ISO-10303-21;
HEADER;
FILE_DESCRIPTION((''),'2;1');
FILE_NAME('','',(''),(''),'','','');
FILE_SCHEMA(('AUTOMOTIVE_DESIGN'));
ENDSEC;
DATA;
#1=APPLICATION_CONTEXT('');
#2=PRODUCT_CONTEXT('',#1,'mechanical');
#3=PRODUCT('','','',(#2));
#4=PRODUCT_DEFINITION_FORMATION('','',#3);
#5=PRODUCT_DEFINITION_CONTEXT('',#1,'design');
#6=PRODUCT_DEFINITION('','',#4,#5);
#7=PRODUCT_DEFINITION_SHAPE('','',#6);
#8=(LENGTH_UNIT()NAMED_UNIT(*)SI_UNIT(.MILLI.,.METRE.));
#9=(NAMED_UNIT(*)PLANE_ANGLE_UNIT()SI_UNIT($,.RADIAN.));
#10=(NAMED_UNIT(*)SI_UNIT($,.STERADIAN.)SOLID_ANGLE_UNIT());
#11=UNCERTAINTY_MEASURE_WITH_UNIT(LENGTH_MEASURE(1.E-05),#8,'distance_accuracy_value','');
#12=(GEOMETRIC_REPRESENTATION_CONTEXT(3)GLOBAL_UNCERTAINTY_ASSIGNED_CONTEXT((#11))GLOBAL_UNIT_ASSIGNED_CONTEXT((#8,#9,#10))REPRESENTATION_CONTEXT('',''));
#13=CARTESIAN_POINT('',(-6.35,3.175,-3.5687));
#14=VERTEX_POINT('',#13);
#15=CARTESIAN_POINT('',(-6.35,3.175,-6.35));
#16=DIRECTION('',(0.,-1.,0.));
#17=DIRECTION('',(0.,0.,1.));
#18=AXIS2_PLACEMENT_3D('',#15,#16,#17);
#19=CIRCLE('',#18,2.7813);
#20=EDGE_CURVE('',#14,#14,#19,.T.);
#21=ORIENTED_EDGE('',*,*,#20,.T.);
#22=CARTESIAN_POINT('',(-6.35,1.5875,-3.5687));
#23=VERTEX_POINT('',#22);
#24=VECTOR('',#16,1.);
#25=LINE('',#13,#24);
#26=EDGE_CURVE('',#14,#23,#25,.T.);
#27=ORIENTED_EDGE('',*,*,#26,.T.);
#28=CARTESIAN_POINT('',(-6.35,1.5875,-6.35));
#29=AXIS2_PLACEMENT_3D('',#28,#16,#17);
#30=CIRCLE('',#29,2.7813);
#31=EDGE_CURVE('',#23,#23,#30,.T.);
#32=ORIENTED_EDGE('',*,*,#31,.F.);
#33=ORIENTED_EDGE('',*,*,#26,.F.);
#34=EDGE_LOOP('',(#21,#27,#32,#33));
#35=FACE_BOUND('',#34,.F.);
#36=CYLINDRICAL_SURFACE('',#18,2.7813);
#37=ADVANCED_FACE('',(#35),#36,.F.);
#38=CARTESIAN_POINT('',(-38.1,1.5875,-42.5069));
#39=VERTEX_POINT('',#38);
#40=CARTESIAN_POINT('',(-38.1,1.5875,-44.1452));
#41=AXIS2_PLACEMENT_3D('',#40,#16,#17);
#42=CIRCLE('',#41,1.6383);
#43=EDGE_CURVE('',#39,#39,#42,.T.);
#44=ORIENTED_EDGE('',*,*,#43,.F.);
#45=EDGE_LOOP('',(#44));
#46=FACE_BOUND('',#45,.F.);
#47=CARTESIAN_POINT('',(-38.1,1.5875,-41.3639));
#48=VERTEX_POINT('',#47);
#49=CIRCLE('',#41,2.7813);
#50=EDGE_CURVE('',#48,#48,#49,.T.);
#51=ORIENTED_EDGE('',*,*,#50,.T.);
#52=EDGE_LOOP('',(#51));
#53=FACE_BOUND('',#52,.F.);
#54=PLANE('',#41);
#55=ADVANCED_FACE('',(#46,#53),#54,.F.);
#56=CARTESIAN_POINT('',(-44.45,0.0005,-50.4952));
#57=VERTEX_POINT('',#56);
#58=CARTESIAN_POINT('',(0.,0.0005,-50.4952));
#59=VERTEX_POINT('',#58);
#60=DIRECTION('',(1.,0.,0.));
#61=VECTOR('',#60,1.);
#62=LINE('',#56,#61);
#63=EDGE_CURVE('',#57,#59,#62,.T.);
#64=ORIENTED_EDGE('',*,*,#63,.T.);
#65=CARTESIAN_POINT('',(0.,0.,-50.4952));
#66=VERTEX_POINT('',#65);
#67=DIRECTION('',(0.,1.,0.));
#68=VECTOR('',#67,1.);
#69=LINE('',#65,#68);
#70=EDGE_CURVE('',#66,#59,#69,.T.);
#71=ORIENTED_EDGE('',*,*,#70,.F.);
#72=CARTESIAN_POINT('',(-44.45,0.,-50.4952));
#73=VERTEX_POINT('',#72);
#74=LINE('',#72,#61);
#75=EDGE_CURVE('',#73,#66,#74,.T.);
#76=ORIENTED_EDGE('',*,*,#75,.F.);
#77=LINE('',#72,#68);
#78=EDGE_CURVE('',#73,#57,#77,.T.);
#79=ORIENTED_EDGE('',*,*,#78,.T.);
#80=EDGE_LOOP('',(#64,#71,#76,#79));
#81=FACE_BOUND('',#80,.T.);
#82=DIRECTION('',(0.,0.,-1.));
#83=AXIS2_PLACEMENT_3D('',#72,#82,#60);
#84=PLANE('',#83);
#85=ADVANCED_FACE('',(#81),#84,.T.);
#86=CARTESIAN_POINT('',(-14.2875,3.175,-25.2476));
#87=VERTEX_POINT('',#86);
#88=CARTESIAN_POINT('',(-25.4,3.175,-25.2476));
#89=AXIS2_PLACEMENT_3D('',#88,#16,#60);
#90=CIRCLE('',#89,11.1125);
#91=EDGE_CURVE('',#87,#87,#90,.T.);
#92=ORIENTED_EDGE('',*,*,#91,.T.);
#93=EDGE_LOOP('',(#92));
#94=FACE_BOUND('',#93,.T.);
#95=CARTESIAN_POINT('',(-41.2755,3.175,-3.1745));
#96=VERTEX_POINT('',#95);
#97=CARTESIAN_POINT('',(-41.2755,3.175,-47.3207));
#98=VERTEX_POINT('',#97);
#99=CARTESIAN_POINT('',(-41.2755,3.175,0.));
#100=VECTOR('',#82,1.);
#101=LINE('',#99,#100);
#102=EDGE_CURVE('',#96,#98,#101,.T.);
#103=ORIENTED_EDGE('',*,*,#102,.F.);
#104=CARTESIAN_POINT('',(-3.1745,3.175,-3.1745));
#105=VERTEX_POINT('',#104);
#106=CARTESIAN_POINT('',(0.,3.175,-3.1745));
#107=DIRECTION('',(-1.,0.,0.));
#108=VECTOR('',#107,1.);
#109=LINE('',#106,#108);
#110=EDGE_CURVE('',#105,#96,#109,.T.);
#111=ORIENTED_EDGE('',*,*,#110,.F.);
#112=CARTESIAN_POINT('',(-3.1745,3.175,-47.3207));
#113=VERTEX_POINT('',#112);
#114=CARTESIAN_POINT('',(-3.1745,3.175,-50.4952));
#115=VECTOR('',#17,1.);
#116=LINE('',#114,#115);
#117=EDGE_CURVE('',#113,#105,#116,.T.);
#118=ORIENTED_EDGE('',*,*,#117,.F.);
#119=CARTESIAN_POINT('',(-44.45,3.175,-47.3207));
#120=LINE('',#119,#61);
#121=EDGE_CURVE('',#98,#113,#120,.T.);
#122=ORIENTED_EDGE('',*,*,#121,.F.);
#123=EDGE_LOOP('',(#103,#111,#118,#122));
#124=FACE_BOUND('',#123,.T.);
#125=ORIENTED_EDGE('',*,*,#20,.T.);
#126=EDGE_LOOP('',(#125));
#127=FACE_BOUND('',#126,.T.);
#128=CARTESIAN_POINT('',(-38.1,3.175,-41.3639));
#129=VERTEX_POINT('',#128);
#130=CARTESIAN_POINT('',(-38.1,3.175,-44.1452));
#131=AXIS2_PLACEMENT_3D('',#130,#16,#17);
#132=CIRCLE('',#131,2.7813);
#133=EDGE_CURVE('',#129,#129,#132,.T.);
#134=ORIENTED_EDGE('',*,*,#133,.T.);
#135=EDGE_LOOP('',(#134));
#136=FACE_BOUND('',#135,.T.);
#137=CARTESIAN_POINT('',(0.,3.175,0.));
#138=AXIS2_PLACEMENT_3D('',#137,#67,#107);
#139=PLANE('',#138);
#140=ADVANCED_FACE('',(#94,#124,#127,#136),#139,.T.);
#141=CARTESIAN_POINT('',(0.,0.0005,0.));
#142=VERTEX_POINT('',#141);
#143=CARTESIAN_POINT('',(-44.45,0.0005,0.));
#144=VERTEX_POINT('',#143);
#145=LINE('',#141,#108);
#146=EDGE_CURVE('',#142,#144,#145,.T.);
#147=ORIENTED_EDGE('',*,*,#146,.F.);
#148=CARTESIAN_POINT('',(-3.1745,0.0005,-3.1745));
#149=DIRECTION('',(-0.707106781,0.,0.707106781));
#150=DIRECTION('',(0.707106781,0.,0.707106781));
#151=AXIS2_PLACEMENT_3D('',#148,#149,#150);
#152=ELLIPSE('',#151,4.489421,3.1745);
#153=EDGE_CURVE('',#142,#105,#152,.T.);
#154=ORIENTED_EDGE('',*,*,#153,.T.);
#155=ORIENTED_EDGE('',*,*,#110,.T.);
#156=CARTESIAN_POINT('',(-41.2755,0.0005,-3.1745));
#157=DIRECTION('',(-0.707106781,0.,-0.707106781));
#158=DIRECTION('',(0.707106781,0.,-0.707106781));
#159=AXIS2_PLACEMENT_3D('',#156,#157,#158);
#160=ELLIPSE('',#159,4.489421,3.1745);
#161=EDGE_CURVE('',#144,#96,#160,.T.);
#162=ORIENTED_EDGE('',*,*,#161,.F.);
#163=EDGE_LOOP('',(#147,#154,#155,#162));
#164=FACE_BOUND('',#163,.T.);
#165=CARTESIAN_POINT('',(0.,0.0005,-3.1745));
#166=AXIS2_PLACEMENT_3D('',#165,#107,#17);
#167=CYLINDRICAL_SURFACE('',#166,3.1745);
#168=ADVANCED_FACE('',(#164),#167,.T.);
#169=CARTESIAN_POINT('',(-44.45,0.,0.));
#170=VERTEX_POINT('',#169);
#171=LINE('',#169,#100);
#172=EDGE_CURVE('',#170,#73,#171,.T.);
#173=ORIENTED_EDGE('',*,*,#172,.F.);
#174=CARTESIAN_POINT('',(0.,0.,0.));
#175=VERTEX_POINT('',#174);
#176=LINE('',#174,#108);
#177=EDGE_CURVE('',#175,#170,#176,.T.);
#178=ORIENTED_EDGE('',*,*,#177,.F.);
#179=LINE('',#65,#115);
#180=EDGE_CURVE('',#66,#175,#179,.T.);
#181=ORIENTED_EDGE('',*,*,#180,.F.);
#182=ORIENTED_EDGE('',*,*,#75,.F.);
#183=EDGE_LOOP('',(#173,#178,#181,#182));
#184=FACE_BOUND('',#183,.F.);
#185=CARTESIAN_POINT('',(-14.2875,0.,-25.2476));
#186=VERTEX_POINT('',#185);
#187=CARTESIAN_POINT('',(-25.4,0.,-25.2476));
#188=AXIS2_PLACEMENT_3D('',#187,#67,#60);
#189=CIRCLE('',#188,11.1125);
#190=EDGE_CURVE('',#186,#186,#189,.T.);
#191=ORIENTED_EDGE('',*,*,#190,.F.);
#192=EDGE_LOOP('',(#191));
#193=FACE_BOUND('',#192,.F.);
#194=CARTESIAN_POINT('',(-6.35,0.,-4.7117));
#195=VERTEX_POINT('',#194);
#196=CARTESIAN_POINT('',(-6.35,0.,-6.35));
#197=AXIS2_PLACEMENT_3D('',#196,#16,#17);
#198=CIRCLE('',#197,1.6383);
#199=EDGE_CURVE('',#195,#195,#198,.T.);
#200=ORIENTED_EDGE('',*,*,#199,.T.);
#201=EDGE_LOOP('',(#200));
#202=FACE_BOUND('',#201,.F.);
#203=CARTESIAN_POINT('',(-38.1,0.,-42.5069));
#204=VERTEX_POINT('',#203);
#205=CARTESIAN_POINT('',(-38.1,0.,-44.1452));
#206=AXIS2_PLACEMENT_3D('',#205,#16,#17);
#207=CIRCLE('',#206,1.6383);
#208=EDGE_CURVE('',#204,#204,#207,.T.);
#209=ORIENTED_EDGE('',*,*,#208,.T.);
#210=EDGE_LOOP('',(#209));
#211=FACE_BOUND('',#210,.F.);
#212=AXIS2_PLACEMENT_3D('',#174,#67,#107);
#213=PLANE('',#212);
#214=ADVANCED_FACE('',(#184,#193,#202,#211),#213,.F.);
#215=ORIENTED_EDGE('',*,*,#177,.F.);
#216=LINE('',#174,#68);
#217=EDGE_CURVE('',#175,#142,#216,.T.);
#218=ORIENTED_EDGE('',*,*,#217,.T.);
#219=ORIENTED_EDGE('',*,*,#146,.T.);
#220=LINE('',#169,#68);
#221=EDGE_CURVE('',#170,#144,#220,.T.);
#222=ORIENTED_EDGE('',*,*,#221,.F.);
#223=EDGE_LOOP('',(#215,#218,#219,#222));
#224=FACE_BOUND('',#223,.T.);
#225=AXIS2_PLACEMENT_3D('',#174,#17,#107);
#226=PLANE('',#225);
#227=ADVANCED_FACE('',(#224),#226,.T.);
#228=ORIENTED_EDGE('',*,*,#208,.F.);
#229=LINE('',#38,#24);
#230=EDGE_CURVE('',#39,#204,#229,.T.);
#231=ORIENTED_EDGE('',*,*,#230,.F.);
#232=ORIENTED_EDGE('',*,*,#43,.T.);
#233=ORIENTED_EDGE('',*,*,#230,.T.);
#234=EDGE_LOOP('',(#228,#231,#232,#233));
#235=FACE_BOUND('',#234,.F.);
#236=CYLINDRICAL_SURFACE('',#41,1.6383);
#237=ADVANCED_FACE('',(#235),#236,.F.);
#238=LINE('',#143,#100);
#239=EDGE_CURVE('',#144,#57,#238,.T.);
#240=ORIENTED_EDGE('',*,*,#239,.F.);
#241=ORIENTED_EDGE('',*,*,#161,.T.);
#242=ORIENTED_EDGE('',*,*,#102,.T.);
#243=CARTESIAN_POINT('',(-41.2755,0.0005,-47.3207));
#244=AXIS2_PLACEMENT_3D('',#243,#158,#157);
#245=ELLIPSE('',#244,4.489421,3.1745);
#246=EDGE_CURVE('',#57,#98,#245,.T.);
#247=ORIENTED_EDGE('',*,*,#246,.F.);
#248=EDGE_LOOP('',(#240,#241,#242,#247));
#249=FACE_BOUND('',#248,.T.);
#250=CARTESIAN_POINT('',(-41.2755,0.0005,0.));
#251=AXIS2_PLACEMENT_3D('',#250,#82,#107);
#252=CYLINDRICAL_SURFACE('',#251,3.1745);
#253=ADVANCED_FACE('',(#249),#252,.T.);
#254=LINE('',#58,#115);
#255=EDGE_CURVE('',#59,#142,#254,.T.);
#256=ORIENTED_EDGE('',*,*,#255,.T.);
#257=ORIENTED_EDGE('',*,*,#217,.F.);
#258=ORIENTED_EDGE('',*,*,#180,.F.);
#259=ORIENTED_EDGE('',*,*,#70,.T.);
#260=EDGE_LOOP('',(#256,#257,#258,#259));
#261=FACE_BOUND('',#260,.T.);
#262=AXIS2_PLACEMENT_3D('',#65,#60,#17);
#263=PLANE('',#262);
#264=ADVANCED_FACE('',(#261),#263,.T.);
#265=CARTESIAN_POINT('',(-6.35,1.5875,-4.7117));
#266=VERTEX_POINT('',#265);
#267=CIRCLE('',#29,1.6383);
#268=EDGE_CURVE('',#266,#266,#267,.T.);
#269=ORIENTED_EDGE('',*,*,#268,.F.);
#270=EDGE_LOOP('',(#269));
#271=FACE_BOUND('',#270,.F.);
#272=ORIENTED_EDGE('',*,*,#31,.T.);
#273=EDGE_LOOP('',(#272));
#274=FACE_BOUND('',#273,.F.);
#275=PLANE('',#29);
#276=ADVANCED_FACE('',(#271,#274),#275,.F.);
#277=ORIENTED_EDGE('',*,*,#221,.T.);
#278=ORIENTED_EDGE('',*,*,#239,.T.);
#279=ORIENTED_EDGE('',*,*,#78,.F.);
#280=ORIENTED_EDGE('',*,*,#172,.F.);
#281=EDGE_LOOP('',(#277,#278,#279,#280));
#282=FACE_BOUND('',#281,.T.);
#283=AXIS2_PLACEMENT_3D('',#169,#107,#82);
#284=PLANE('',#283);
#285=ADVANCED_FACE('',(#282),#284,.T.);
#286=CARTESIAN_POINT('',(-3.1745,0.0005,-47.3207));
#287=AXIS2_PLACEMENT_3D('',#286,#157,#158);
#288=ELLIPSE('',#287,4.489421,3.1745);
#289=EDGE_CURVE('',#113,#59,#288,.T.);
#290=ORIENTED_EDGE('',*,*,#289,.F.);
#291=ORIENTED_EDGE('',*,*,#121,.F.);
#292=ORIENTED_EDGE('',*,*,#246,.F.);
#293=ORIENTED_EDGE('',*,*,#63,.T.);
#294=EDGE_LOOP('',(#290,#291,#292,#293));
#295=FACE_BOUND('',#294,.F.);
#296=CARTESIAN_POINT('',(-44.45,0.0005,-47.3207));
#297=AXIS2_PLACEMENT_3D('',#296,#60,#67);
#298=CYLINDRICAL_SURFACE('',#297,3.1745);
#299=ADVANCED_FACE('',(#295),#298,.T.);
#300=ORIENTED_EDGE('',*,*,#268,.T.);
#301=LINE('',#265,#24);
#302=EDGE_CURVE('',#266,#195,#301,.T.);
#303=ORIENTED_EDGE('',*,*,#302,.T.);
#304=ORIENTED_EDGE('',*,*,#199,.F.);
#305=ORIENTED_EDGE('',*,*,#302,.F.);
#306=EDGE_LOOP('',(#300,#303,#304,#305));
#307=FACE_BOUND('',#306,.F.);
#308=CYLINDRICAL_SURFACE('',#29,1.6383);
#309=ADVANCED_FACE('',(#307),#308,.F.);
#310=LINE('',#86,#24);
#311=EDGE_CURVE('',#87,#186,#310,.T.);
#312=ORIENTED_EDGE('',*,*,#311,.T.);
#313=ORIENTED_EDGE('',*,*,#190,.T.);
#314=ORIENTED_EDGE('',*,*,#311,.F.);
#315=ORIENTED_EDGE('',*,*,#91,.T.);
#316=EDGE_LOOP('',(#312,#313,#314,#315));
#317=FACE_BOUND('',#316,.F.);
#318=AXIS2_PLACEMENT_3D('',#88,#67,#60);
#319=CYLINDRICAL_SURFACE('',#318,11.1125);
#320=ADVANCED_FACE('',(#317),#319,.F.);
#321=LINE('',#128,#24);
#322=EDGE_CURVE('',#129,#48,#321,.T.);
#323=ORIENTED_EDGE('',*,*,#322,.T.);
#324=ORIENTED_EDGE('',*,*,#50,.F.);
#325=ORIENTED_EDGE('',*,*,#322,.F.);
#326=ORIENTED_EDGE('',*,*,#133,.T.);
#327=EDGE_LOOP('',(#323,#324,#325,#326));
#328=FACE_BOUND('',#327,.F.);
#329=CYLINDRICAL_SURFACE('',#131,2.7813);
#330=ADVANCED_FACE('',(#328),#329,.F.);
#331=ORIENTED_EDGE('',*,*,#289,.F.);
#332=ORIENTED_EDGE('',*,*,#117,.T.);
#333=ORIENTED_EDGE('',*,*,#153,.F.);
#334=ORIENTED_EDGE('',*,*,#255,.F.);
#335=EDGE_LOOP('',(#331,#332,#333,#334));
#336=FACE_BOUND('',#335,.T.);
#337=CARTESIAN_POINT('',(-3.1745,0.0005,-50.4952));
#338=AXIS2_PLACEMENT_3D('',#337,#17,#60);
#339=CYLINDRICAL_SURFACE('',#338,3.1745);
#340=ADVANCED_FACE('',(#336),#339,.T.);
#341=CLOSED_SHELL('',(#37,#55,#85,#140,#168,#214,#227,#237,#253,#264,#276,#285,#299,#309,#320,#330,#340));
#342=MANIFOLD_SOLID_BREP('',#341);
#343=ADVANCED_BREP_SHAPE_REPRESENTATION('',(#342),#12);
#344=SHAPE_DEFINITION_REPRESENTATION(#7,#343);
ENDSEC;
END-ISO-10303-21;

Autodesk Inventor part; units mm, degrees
ref_plane "YZ Plane" through (0, 0, 0) normal (1, 0, 0) x (0, 1, 0)
ref_plane "XZ Plane" through (0, 0, 0) normal (0, 1, 0) x (-1, 0, 0)
ref_plane "XY Plane" through (0, 0, 0) normal (0, 0, 1) x (1, 0, 0)
sketch "Sketch1" plane through (0, 0, 0) normal (0, 1, 0) x (-1, 0, 0)
  line L0 (0, 0) -> (44.45, 0)
  line L1 (44.45, 0) -> (44.45, -50.4952)
  line L2 (44.45, -50.4952) -> (0, -50.4952)
  line L3 (0, -50.4952) -> (0, 0)
  dimension "d0" = 44.45
  dimension "d1" = 50.4952
extrude "Extrusion1" add sketch "Sketch1" along normal blind 3.175
sketch "Sketch2" plane through (0, 3.175, 0) normal (0, 1, 0) x (1, 0, 0)
  line L0 (-44.45, 50.4952) -> (-44.45, 0) projected
  line L1 (-44.45, 50.4952) -> (-38.1, 50.4952)
  line L2 (0, 50.4952) -> (-44.45, 50.4952) projected
  line L3 (-38.1, 50.4952) -> (-38.1, 44.1452)
  line L4 (-44.45, 0) -> (0, 0) projected
  line L5 (0, 0) -> (-6.35, 0)
  line L6 (-6.35, 0) -> (-6.35, 6.35)
  line L7 (-44.45, 50.4952) -> (-44.45, 25.2476)
  line L8 (-44.45, 25.2476) -> (-25.4, 25.2476)
  circle A0 centre (-25.4, 25.2476) radius 11.1125
  dimension "d4" = 6.35
  dimension "d5" = 6.35
  dimension "d6" = 6.35
  dimension "d7" = 6.35
  dimension "d15" = 25.2476
  dimension "d16" = 19.05
  dimension "d17" = 22.225
hole "Hole1" at (-6.35, 3.175, -6.35) at (-38.1, 3.175, -44.1452) direction (0, -1, 0) diameter 3.2766 depth 12.7 tip angle 118 counterbore diameter 5.5626 counterbore depth 1.5875 clearance for "Socket Head Cap Screw" size "#4" standard "Ansi Unified Screw Threads"
extrude "Extrusion2" cut sketch "Sketch2" against normal blind 3.175
fillet "Fillet1" radius 3.175 4 edges at (-44.45, 3.175, -25.2476) (-22.225, 3.175, -50.4952) (0, 3.175, -25.2476) (-22.225, 3.175, 0)
properties part number "sample holder lid for neutron r1"
